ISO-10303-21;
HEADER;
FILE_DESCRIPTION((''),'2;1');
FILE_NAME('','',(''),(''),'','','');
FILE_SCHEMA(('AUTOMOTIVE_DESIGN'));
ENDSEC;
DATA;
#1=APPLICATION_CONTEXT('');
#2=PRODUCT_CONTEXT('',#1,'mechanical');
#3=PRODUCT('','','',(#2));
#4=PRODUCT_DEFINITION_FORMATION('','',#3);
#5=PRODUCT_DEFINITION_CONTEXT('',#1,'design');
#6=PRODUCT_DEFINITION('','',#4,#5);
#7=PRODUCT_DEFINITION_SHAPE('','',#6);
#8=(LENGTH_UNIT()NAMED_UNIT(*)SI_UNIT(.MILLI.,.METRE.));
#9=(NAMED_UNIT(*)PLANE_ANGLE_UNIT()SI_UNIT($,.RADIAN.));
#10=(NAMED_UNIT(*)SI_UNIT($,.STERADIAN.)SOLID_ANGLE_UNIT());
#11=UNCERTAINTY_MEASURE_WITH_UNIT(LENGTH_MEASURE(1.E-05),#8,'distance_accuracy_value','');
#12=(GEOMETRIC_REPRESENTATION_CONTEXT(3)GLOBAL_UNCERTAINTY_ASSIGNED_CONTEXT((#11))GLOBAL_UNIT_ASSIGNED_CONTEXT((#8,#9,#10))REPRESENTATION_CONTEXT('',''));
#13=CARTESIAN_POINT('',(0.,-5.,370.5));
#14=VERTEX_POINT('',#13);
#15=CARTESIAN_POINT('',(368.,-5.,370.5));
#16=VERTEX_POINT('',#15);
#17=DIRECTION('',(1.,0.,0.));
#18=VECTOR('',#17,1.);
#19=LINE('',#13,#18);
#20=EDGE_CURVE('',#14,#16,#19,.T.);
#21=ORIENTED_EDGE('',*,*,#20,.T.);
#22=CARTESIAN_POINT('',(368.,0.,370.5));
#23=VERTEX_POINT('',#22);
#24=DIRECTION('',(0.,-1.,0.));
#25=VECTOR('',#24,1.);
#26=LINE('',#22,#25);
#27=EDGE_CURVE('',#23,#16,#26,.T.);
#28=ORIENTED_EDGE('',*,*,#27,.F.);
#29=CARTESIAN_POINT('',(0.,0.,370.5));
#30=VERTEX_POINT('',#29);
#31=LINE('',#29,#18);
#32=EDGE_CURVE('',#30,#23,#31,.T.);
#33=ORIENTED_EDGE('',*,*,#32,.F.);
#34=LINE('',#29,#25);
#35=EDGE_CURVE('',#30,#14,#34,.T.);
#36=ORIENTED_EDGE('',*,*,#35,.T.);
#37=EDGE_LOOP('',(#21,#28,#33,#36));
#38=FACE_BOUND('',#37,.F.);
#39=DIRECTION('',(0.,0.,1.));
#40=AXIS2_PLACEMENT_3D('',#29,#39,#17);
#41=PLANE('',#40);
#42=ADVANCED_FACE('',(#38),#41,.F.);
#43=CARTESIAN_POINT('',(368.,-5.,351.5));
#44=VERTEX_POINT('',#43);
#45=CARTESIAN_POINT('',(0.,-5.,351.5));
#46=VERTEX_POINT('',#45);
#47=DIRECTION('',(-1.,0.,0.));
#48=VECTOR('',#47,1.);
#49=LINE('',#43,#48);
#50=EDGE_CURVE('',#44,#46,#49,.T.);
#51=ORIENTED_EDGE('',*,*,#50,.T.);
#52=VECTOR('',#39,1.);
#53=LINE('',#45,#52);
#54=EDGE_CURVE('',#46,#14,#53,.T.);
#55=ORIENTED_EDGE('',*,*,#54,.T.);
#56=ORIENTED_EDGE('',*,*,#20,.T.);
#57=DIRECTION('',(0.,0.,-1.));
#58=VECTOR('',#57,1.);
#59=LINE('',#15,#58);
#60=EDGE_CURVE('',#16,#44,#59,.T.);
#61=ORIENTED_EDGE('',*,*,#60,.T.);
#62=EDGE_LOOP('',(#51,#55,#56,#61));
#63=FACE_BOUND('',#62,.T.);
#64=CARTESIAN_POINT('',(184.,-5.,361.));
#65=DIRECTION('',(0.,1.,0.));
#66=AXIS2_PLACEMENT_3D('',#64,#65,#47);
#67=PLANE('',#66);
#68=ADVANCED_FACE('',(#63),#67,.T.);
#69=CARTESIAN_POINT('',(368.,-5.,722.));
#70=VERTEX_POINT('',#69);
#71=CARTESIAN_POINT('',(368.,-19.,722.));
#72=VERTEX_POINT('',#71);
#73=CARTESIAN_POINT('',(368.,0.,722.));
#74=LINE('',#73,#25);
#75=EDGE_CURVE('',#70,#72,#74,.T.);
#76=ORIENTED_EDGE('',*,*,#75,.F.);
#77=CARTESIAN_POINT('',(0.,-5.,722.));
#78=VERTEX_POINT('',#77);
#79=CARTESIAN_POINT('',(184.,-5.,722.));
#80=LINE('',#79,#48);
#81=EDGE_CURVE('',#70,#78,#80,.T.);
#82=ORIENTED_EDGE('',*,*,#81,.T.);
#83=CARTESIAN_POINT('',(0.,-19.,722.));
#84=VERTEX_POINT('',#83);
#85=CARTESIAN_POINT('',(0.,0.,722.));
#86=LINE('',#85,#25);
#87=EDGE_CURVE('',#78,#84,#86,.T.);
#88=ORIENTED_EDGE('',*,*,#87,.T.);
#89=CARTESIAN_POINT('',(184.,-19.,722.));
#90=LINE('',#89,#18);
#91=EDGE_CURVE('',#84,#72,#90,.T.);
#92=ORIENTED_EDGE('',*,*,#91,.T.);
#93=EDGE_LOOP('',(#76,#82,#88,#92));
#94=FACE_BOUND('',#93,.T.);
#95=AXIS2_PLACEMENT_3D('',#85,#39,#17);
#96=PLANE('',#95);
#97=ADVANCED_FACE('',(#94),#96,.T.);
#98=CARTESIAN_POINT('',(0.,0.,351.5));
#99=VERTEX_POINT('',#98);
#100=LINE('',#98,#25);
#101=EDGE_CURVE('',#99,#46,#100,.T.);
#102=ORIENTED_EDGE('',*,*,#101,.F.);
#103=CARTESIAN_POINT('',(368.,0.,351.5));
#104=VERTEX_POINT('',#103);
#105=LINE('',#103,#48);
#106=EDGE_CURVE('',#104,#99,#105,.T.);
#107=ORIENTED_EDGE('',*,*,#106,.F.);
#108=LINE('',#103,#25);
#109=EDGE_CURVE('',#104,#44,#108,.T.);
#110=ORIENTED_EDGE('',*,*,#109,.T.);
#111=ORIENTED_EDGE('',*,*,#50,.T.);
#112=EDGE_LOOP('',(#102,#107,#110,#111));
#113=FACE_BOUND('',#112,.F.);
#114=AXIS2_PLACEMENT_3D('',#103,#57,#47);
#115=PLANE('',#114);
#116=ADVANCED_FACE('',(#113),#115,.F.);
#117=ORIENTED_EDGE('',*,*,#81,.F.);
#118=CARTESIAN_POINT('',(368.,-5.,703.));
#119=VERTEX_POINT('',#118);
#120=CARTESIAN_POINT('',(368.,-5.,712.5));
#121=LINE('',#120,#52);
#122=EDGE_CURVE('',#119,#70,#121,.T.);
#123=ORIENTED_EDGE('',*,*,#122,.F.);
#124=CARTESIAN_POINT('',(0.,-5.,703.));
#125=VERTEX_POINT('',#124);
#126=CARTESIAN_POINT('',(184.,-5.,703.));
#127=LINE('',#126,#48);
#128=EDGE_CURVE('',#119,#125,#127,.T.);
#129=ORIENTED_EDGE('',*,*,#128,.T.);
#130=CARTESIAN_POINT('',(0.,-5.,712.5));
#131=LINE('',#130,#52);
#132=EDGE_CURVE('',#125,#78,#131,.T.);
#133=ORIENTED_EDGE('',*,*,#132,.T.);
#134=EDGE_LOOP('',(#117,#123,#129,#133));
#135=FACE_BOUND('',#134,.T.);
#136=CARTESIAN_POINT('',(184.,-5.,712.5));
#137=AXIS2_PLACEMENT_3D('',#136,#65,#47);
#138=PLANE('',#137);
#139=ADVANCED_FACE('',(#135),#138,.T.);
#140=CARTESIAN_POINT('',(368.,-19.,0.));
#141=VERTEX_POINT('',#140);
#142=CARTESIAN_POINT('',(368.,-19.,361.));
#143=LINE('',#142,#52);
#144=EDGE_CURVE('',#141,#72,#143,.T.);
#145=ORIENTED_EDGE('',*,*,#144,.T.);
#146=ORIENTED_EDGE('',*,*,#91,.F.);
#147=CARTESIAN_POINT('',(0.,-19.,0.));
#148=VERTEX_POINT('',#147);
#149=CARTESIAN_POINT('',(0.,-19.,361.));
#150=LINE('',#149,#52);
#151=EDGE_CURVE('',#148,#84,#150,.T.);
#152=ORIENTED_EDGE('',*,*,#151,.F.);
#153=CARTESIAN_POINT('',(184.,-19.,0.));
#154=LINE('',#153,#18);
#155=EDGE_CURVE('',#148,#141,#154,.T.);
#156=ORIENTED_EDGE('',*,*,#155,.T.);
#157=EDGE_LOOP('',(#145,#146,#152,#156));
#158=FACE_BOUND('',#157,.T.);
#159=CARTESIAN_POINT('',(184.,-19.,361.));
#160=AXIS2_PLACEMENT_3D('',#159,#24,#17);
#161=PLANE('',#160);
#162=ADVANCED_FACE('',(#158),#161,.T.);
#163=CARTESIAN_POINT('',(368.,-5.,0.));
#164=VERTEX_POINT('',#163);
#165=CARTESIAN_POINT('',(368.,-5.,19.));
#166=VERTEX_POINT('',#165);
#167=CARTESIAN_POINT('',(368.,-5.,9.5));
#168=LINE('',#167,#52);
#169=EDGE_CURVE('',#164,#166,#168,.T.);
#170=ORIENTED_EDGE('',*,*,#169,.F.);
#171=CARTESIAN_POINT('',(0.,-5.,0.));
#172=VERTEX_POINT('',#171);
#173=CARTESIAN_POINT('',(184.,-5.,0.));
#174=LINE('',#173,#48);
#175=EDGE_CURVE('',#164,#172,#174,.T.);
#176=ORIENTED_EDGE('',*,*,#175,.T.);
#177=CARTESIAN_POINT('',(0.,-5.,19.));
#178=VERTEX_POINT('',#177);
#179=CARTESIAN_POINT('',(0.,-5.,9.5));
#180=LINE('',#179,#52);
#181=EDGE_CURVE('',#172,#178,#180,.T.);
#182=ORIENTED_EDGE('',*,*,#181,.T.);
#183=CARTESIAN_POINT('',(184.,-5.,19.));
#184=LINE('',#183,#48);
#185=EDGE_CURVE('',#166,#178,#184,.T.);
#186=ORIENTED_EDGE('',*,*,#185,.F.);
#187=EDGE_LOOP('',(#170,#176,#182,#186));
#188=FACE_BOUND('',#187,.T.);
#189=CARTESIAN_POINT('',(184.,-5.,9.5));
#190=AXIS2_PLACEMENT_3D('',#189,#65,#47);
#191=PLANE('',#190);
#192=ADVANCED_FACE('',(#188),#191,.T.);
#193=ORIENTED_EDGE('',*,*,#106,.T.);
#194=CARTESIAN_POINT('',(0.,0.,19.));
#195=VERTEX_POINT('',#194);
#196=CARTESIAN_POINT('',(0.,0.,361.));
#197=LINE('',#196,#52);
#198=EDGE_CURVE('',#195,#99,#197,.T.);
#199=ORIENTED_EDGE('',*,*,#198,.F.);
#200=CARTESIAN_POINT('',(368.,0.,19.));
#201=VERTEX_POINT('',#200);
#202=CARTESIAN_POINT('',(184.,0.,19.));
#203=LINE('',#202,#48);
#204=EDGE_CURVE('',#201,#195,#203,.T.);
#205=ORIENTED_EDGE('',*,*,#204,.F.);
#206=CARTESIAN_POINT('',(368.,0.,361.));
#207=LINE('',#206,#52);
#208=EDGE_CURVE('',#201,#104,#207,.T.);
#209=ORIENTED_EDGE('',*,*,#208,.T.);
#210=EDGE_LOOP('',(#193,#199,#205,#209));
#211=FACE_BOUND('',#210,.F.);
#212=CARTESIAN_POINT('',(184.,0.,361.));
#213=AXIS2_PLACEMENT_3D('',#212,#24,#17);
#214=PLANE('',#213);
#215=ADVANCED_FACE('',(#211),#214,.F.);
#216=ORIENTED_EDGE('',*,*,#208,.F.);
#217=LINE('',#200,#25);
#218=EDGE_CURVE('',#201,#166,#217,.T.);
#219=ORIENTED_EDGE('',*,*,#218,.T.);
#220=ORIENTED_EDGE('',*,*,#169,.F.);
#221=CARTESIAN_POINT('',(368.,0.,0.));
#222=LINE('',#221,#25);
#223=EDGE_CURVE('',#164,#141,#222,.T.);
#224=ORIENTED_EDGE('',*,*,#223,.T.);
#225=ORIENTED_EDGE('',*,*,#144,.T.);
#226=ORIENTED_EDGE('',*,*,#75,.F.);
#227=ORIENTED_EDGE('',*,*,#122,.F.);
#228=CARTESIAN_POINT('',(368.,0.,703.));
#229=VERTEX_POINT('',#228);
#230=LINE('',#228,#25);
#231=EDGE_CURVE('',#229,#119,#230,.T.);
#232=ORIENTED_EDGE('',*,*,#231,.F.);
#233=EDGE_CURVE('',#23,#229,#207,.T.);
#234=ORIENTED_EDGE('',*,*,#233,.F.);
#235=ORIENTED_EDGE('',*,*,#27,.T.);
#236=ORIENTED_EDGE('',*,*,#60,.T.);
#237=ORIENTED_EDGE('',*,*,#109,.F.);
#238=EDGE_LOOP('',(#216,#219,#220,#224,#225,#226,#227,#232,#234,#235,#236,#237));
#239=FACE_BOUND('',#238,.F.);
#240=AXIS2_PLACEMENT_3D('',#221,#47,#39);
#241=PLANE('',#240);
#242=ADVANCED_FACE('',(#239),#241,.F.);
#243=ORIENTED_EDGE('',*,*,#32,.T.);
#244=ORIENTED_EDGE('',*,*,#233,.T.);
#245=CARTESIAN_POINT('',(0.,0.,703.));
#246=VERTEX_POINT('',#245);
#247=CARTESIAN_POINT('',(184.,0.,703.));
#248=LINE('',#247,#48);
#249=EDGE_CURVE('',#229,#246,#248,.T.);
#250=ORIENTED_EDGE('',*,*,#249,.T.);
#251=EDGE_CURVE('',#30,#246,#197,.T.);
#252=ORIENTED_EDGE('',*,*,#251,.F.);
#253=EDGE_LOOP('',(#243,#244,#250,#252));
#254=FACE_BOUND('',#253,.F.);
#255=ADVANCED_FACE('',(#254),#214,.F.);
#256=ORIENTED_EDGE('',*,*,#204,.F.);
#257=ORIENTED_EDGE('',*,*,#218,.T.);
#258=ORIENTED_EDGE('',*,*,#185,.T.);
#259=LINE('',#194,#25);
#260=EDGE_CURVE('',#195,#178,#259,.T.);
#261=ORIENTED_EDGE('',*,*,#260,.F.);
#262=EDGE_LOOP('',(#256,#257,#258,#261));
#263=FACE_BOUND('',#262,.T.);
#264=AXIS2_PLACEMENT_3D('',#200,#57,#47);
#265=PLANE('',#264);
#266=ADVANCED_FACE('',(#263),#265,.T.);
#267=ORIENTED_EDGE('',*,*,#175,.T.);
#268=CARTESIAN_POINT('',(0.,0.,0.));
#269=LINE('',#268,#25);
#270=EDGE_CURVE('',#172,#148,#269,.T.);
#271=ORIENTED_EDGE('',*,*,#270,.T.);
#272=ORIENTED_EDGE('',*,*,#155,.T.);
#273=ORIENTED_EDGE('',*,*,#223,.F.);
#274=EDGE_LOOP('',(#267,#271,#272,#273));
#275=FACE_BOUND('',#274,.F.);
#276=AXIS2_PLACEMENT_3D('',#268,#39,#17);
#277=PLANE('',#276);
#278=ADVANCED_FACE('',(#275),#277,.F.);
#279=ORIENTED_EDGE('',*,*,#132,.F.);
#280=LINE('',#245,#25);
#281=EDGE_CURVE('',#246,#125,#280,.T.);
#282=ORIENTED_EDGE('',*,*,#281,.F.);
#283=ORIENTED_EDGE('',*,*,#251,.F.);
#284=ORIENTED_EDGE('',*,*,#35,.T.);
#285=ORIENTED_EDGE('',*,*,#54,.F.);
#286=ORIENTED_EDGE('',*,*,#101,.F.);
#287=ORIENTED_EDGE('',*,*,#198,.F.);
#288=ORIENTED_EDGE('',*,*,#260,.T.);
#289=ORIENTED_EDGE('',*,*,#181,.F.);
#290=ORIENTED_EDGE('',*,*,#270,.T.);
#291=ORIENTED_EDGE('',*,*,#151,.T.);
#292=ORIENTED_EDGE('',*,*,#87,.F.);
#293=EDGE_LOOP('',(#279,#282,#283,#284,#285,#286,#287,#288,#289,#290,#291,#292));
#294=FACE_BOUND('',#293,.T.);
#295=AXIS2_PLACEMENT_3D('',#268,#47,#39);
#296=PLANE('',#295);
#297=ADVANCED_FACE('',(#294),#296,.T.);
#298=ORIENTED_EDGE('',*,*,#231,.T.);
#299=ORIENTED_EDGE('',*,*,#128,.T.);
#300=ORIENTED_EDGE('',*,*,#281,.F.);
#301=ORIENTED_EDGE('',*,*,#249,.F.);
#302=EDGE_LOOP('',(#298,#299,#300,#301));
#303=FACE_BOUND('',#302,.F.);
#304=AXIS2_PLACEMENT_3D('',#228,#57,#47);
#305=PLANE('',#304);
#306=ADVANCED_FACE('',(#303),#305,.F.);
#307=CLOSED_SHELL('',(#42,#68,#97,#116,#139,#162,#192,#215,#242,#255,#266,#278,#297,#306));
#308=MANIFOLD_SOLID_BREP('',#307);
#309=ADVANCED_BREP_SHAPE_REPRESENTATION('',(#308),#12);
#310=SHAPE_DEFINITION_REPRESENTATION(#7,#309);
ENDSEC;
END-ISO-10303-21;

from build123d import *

# Parameters (mm, degrees)
F0_W     = 368
F0_H     = 722
F1_DEPTH = 19
F2_W     = 368
F2_H     = 19
F3_DEPTH = 5


with BuildPart() as f1:
    # F0 (on Front) → F1 (new body)
    with BuildSketch(Plane.XZ):
        with Locations((184, 361)):
            Rectangle(F0_W, F0_H)
    extrude(amount=F1_DEPTH)

    # F2 (on face) → F3 (cut)
    with BuildSketch(Plane(origin=(0, 0, 0), x_dir=(-1, 0, 0), z_dir=(0, 1, 0))):
        Polygon((-368, 370.5), (-368, 361), (-368, 351.5), (0, 351.5), (0, 361), (0, 370.5), align=None)
        with Locations((-184, 9.5)):
            Rectangle(F2_W, F2_H)
        with Locations((-184, 712.5)):
            Rectangle(F2_W, F2_H)
    extrude(amount=-F3_DEPTH, mode=Mode.SUBTRACT)


solid = f1.part
